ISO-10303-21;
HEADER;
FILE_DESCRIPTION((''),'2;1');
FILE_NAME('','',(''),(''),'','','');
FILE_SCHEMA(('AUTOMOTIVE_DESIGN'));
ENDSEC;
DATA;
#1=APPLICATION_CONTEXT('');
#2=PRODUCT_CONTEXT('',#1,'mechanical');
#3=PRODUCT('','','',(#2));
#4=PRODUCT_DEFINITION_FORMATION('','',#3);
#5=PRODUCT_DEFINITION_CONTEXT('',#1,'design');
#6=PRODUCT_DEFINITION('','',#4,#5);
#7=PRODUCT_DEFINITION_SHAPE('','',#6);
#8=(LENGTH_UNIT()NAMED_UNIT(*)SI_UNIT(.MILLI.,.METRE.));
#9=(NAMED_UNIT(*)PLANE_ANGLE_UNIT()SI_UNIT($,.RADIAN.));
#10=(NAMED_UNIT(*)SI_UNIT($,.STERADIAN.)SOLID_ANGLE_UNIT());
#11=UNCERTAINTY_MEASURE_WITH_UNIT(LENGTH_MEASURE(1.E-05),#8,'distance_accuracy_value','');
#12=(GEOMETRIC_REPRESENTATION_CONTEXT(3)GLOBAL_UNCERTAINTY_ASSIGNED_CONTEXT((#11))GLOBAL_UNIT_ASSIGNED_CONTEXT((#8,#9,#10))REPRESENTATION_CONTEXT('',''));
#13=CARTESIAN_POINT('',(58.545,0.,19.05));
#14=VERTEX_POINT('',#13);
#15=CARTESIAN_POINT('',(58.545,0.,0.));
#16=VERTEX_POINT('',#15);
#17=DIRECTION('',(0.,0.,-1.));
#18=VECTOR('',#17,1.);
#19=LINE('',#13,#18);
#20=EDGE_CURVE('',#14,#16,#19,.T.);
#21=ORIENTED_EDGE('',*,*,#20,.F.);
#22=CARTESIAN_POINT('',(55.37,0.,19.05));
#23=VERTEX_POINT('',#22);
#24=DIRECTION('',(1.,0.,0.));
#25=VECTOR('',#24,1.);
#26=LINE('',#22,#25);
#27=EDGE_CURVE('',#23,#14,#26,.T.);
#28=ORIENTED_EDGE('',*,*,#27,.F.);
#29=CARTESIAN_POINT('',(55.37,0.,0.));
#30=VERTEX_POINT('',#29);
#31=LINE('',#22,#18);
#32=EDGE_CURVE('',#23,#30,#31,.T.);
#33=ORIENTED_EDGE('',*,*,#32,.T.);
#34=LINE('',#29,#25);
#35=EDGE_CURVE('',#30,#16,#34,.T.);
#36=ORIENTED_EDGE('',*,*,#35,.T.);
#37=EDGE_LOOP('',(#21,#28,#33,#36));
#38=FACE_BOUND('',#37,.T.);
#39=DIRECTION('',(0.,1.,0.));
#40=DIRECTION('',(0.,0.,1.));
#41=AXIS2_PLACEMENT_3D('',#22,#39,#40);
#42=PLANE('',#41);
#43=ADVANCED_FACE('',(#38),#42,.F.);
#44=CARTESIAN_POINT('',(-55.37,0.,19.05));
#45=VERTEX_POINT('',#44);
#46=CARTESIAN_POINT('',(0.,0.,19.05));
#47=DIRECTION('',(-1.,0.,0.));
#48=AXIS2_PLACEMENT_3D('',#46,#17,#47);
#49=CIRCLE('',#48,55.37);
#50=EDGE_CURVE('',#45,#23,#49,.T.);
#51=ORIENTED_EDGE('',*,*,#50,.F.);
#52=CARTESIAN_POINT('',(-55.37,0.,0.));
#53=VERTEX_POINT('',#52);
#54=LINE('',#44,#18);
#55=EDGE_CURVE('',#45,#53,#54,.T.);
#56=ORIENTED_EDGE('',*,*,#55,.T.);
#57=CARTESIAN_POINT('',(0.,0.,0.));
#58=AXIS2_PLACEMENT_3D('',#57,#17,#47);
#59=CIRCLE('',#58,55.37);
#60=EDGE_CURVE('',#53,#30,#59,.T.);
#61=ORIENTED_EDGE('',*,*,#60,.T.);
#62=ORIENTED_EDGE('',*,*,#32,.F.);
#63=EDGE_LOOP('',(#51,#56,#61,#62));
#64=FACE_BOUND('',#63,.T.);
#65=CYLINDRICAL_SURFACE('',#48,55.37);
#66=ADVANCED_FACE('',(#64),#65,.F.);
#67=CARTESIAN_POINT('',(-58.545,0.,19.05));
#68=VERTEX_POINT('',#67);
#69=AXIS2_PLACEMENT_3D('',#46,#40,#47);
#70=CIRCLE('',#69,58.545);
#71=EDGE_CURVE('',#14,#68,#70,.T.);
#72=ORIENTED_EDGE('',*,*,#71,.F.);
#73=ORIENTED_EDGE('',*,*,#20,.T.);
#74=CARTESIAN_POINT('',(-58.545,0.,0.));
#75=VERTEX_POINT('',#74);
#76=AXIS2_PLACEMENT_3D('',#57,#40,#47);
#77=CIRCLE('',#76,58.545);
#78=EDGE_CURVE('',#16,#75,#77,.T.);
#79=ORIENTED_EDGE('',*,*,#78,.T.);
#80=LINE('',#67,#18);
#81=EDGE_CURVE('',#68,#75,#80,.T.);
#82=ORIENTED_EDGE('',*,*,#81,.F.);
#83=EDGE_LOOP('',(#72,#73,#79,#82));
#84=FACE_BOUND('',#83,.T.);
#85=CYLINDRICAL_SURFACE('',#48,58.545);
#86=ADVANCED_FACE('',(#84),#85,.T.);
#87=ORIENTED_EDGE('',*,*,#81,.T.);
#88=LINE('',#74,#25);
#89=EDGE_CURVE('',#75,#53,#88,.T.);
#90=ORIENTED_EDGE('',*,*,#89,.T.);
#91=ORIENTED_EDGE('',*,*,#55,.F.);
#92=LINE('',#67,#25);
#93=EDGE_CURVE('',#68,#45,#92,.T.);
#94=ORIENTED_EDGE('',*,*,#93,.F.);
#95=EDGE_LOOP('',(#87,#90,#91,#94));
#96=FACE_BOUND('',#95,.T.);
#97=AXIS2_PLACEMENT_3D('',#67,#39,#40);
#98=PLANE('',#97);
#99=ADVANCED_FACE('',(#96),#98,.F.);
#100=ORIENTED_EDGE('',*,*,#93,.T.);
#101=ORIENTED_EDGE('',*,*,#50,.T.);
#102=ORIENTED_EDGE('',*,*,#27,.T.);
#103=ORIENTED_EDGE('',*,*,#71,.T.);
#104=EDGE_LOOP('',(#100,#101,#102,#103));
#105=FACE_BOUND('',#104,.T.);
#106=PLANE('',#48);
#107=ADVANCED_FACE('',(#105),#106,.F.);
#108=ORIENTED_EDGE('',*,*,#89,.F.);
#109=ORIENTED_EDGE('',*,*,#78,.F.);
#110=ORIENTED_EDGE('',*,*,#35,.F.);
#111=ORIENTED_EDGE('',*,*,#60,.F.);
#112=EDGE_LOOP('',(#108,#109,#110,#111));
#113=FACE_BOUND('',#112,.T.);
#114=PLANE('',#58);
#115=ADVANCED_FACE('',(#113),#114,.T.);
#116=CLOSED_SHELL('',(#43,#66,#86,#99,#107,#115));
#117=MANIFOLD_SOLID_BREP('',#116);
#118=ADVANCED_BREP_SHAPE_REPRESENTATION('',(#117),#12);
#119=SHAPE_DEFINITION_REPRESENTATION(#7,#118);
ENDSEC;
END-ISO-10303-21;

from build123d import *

# Parameters (mm, degrees)
BOSS_EXTRUDE1_DEPTH = 19.05


with BuildPart() as part:
    # Sketch1 → Boss-Extrude1 (new body)
    with BuildSketch(Plane.XY):
        with BuildLine():
            Line((-58.545, 0), (-55.37, 0))
            ThreePointArc((-55.37, 0), (0, 55.37), (55.37, 0))
            Line((55.37, 0), (58.545, 0))
            ThreePointArc((58.545, 0), (0, 58.545), (-58.545, 0))
        make_face()
    extrude(amount=BOSS_EXTRUDE1_DEPTH)


solid = part.part
